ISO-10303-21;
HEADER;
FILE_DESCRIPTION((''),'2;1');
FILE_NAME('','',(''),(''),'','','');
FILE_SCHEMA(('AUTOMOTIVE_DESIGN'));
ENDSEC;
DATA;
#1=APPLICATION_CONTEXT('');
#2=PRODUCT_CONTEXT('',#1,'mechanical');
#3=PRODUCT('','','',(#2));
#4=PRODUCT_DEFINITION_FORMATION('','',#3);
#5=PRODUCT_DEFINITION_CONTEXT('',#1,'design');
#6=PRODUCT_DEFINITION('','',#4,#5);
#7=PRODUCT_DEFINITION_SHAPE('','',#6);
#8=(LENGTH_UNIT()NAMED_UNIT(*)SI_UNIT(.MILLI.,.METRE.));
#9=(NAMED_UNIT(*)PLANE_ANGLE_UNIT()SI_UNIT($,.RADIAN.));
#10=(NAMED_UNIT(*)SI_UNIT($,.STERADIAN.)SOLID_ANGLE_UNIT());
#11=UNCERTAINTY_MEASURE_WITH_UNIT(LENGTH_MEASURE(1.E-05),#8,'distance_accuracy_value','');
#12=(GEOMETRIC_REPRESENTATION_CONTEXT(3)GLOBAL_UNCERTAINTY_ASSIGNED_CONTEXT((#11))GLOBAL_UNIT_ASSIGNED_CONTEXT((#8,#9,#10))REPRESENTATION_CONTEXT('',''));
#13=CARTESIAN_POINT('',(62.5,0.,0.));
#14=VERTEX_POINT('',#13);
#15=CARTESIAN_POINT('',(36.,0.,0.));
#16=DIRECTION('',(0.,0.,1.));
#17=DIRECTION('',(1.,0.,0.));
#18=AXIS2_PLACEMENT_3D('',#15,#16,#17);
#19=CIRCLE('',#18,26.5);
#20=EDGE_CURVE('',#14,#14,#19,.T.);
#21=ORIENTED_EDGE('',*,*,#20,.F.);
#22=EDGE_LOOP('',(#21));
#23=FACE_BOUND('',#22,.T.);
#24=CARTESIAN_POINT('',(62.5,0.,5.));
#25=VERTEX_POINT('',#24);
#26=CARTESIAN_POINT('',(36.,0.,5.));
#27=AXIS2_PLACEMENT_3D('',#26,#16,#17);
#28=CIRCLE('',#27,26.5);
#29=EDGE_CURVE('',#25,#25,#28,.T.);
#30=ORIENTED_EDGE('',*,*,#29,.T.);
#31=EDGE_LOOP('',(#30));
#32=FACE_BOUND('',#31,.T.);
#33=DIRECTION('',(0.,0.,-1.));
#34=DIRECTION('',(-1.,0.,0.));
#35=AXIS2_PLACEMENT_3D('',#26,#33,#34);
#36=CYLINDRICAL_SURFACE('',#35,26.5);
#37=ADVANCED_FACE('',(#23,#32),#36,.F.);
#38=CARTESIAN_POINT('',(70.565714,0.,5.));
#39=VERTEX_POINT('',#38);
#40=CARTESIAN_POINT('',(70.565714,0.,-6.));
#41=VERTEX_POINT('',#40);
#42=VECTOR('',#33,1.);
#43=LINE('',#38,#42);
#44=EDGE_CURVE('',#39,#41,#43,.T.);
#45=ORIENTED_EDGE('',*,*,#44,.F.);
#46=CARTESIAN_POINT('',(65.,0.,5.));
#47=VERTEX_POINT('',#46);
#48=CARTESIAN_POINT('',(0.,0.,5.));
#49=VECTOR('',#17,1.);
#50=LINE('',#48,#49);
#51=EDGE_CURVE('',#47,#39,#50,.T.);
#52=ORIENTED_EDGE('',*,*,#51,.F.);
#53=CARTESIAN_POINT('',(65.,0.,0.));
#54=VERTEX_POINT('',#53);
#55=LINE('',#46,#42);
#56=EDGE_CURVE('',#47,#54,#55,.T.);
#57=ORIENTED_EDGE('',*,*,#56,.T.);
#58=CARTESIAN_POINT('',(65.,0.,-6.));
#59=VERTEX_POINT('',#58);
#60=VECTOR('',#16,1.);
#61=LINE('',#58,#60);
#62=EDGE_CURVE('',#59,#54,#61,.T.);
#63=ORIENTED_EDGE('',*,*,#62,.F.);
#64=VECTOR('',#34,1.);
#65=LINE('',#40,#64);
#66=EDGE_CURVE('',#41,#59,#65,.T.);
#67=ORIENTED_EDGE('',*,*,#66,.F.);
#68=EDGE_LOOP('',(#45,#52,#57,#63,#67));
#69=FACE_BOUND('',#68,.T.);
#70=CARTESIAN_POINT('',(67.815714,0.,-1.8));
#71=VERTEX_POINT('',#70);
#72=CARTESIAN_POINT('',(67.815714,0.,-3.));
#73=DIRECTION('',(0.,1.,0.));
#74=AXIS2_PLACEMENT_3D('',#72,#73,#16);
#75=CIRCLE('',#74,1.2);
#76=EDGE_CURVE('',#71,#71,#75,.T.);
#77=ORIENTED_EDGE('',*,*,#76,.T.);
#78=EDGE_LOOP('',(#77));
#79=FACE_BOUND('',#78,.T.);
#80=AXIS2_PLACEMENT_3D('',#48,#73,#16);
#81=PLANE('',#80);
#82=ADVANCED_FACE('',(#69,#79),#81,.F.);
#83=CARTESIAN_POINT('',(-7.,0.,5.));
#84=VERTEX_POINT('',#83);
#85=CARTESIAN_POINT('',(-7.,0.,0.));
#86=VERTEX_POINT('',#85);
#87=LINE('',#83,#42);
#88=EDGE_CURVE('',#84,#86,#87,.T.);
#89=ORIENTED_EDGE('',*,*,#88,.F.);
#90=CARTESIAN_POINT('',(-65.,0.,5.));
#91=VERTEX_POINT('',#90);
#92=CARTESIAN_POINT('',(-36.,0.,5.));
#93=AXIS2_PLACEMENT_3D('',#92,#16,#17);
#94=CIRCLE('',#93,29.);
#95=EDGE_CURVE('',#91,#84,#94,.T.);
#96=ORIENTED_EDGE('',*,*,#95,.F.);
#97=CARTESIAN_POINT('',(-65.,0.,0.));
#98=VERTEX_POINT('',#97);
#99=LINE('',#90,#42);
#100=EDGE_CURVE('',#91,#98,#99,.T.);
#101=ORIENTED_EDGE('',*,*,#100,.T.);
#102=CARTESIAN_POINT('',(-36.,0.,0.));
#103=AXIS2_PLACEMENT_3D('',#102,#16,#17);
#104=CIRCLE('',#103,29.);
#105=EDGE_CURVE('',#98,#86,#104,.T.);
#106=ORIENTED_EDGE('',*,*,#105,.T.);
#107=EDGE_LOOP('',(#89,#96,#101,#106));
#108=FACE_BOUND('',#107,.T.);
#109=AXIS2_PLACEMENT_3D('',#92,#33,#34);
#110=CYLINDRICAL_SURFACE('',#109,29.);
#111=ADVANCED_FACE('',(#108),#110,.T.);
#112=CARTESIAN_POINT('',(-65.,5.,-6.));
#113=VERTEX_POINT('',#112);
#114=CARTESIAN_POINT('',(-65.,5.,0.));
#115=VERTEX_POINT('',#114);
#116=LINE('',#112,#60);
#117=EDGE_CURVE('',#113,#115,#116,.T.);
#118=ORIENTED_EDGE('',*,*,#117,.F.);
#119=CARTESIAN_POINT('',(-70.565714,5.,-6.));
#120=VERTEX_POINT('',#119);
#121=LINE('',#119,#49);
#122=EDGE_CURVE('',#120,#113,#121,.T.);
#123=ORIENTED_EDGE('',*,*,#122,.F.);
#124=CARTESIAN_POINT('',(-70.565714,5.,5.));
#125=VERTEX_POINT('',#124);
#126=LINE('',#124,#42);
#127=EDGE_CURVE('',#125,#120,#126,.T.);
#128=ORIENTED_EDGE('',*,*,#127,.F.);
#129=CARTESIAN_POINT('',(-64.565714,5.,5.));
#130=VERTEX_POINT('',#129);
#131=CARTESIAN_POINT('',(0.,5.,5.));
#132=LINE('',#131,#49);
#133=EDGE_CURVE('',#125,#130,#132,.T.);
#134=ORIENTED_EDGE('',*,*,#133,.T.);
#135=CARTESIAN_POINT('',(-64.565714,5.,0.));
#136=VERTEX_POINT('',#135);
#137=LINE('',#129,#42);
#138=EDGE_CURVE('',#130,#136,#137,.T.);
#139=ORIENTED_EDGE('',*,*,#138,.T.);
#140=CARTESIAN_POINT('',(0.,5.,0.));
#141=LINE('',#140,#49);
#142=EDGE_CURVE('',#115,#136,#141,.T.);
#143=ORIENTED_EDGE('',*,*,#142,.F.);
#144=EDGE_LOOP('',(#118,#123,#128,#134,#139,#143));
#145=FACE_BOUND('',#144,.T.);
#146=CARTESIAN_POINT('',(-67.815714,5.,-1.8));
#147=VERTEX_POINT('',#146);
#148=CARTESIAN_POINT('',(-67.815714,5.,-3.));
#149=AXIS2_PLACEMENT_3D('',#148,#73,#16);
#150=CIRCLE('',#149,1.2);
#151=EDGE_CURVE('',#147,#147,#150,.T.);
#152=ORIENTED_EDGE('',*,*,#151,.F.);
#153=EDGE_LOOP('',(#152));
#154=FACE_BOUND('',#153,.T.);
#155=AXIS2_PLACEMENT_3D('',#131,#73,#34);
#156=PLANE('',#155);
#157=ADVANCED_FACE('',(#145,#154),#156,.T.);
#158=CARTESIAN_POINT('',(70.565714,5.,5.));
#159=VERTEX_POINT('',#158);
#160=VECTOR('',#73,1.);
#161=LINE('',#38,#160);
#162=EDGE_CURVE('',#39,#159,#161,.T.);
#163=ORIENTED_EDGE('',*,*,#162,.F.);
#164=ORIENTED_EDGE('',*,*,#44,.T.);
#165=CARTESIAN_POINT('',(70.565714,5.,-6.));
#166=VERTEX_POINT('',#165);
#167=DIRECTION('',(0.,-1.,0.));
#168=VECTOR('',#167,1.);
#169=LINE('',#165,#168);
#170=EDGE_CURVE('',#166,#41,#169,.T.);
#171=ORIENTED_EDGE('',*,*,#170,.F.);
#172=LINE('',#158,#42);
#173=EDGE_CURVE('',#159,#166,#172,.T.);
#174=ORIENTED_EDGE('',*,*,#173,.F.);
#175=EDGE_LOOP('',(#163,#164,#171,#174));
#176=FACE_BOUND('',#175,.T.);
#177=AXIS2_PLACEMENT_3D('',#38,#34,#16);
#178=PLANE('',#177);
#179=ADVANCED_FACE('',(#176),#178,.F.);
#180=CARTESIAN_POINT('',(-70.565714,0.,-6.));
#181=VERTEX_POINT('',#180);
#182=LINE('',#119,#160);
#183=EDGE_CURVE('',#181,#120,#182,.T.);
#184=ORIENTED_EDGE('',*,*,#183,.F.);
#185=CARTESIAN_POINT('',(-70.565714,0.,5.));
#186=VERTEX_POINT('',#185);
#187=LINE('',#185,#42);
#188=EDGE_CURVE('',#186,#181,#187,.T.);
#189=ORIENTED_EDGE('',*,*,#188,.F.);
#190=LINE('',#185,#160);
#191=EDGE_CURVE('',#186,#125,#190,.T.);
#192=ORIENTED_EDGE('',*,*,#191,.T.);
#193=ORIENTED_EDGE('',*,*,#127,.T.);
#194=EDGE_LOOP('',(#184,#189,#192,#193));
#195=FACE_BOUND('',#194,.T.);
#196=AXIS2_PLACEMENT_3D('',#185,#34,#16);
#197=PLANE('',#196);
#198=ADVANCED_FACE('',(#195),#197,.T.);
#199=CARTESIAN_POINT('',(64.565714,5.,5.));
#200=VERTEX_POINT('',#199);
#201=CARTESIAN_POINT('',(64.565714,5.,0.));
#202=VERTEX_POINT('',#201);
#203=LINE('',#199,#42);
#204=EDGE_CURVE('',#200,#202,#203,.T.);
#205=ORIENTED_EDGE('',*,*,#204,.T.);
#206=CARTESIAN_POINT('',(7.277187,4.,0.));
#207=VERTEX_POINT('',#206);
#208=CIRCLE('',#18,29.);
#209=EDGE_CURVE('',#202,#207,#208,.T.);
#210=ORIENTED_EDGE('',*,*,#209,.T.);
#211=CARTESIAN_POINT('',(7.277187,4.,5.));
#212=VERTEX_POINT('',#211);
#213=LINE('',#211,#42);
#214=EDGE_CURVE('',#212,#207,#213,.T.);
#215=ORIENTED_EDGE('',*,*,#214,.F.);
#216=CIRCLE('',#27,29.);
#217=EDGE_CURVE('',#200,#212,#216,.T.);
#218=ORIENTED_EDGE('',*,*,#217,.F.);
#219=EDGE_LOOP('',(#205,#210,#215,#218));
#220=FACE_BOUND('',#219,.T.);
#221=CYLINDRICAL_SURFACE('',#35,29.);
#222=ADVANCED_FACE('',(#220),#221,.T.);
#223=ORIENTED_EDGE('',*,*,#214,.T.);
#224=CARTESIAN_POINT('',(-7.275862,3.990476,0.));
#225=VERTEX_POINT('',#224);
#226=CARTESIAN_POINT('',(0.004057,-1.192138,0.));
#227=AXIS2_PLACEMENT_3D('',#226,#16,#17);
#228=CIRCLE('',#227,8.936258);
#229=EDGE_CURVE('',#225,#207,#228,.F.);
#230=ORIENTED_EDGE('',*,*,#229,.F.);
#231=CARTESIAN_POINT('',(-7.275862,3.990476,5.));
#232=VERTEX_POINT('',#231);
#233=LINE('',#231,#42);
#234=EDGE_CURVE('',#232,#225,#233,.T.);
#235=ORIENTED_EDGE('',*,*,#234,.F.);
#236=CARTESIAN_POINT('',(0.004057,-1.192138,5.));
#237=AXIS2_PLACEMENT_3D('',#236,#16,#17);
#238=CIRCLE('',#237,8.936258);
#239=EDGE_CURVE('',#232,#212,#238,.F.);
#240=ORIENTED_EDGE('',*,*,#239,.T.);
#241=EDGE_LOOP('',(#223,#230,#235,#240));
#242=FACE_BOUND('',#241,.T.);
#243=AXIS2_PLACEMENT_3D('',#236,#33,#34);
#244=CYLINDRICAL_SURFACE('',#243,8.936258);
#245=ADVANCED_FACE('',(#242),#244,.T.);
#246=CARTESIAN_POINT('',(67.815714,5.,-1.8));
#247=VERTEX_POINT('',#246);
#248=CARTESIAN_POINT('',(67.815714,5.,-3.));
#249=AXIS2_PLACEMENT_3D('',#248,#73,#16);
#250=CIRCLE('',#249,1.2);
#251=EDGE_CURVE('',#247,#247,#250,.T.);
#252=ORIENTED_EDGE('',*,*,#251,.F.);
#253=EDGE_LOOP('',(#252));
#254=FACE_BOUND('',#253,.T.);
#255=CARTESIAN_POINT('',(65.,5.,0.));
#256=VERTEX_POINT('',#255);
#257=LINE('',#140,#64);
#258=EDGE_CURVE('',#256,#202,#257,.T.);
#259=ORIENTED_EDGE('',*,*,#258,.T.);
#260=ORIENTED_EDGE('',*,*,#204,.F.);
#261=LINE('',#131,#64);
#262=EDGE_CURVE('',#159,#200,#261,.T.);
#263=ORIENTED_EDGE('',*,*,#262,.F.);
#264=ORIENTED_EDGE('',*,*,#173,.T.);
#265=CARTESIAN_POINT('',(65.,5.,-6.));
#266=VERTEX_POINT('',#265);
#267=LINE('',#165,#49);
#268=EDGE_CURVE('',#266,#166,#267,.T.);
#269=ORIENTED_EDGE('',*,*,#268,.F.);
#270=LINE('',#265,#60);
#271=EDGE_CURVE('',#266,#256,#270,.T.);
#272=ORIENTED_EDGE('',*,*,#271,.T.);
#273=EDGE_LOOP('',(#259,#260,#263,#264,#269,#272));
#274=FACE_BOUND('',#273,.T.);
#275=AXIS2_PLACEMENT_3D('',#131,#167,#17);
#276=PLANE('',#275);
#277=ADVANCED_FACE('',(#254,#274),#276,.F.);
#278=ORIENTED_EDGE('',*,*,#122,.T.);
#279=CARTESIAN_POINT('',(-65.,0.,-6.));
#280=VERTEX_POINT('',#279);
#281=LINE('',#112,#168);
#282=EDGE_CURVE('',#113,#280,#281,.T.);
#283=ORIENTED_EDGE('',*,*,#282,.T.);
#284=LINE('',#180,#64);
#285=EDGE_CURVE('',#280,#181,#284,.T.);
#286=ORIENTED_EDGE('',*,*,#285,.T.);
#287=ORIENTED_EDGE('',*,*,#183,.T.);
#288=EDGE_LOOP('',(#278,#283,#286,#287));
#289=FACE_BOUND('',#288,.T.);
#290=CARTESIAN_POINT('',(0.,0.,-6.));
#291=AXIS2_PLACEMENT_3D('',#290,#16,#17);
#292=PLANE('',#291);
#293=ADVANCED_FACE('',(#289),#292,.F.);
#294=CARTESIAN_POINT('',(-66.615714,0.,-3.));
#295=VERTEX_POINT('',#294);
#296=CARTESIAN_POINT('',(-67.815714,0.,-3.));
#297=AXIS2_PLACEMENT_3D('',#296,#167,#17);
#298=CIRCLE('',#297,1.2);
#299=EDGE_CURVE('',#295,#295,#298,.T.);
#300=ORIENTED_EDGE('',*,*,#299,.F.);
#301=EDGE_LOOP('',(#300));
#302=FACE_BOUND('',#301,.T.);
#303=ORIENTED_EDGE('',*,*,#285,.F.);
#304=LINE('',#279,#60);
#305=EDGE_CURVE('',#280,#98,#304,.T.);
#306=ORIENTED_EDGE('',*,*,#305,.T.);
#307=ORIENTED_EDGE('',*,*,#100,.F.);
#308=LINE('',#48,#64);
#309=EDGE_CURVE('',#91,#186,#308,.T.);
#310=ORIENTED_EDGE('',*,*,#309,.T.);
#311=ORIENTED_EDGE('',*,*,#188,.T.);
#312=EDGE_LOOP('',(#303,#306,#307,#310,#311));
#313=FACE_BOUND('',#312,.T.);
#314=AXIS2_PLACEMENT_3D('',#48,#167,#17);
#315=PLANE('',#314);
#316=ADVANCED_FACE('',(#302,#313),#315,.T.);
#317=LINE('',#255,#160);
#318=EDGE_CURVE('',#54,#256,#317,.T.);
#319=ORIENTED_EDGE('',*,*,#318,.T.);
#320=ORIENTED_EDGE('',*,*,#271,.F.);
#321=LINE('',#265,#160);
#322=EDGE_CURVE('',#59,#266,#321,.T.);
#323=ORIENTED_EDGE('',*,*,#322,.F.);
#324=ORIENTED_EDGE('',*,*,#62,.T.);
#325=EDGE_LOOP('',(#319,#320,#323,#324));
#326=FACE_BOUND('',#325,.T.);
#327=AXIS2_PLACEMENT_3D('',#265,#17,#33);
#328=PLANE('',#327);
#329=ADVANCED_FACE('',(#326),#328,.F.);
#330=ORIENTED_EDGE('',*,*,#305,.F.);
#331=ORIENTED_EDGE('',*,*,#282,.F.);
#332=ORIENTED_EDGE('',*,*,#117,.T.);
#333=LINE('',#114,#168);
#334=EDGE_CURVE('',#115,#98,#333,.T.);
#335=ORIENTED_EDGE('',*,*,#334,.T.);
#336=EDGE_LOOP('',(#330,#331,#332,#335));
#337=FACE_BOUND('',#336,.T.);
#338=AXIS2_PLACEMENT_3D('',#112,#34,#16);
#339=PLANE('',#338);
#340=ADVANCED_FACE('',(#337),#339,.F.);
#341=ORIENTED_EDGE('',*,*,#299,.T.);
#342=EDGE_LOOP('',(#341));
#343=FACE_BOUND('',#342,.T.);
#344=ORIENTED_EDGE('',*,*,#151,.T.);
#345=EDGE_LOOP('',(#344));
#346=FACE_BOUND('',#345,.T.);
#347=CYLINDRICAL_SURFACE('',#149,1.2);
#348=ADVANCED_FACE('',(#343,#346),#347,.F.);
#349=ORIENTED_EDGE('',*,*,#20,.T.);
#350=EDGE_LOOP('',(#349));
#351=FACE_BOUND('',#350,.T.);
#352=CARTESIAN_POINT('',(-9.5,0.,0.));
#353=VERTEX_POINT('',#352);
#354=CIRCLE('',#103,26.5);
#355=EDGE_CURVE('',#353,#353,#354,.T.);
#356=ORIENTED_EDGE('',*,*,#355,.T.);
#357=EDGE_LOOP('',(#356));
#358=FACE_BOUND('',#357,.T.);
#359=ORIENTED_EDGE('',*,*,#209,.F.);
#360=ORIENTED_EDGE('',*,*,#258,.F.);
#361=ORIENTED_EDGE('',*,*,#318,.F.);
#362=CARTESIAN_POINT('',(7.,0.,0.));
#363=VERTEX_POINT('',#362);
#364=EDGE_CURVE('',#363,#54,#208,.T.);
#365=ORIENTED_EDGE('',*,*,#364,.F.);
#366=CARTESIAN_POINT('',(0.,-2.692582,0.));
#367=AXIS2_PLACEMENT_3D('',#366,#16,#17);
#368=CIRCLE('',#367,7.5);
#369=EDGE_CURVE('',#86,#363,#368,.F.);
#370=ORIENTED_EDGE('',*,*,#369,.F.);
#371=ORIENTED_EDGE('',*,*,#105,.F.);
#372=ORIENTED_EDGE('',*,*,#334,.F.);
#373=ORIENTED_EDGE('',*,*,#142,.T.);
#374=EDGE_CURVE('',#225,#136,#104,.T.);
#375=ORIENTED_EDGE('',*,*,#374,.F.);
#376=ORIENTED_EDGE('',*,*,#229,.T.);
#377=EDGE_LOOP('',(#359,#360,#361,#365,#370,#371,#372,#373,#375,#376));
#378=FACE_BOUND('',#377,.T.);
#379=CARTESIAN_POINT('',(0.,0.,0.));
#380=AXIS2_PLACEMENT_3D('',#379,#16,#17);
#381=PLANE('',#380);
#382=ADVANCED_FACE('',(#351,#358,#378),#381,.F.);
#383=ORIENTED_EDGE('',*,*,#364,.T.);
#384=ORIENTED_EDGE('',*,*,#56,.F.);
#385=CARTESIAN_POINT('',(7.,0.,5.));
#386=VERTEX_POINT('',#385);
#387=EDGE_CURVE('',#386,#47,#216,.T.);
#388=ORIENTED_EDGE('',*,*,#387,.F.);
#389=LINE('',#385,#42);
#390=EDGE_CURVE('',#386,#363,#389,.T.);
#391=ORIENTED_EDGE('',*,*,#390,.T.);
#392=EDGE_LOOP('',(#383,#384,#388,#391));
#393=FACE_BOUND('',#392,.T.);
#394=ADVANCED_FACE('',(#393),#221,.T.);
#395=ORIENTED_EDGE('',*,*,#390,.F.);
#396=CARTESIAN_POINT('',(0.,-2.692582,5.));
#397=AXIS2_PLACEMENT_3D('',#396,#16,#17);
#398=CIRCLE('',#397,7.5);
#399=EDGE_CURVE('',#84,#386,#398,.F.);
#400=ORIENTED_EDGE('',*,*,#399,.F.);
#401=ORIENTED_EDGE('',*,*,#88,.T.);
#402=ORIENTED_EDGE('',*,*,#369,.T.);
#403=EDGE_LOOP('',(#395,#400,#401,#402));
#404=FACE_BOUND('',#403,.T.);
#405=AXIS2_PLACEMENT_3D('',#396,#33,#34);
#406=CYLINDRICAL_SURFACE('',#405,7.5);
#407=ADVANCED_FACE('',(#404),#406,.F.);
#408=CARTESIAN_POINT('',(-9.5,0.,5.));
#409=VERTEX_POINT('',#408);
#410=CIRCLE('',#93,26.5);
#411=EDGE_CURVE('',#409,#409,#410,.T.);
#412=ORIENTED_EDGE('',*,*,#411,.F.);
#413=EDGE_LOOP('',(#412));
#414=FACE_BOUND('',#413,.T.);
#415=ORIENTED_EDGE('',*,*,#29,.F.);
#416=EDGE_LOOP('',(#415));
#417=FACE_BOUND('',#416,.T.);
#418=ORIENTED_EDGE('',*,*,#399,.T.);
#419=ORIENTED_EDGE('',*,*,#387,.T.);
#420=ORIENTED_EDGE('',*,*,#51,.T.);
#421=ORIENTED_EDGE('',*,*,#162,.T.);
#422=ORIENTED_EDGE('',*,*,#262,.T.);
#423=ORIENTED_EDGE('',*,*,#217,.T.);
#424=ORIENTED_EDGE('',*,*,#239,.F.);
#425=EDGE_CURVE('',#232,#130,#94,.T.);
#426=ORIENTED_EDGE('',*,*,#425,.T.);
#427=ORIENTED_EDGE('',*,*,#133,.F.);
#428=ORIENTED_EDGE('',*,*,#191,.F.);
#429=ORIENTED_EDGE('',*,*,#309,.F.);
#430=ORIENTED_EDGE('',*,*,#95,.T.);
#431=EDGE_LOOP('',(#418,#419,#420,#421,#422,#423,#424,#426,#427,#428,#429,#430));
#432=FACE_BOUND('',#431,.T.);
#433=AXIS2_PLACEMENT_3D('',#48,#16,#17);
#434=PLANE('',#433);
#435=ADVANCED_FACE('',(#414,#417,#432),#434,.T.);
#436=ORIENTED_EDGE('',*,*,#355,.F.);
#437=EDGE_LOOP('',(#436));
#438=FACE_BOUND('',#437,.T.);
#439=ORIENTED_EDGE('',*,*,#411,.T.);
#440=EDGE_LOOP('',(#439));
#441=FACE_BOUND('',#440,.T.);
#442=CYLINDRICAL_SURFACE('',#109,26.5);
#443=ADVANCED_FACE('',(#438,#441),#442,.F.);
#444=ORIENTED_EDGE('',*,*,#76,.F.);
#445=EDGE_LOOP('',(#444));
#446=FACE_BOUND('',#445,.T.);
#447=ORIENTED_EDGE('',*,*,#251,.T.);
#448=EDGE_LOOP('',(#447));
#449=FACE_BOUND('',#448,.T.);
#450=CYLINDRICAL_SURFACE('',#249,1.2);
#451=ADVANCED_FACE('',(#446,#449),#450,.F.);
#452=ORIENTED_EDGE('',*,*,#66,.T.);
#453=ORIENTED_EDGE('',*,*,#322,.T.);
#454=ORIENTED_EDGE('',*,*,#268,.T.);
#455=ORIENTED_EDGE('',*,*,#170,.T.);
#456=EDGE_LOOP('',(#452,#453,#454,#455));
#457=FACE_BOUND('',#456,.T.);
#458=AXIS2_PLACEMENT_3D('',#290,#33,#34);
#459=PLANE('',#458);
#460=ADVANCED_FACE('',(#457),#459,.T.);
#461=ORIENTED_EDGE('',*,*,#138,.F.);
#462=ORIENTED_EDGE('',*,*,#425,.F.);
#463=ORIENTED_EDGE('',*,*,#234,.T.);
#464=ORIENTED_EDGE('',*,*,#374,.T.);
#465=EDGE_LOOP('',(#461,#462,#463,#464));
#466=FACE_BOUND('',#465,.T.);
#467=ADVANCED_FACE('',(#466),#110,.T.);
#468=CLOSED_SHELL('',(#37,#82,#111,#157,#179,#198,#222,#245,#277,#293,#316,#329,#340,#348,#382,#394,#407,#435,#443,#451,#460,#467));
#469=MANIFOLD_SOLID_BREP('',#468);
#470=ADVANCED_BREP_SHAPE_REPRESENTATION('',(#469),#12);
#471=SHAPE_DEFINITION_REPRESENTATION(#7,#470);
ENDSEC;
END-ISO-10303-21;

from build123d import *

# Parameters (mm, degrees)
SKIZZE1_R                       = 26.5
AUFSATZ_LINEAR_AUSTRAGEN1_DEPTH = 5
SKIZZE2_W                       = 5.565713714
SKIZZE2_H                       = 5
AUFSATZ_LINEAR_AUSTRAGEN2_DEPTH = 6
DURCHGANGSLOCH_F_R_M21_D        = 2.4


with BuildPart() as part:
    # Skizze1 → Aufsatz-Linear austragen1 (new body)
    with BuildSketch(Plane.XY):
        with BuildLine():
            Line((70.565713714, 5), (64.565713714, 5))
            ThreePointArc((64.565713714, 5), (35.493867542, 28.995582938), (7.277186767, 4))
            ThreePointArc((7.277186767, 4), (-0.001790997, 7.744118326), (-7.275862069, 3.990476177))
            ThreePointArc((-7.275862069, 3.990476177), (-35.489060527, 28.995498631), (-64.565713714, 5))
            Line((-64.565713714, 5), (-70.565713714, 5))
            Line((-70.565713714, 5), (-70.565713714, 0))
            Line((-70.565713714, 0), (-65, 0))
            ThreePointArc((-65, 0), (-36, -29), (-7, 0))
            ThreePointArc((-7, 0), (0, 4.807417596), (7, 0))
            ThreePointArc((7, 0), (36, -29), (65, 0))
            Line((65, 0), (70.565713714, 0))
            Line((70.565713714, 0), (70.565713714, 5))
        make_face()
        with Locations((36, 0)):
            Circle(SKIZZE1_R, mode=Mode.SUBTRACT)
        with Locations((-36, 0)):
            Circle(SKIZZE1_R, mode=Mode.SUBTRACT)
    extrude(amount=AUFSATZ_LINEAR_AUSTRAGEN1_DEPTH)

    # Skizze2 → Aufsatz-Linear austragen2 (add)
    with BuildSketch(Plane(origin=(0, 0, 0), x_dir=(-1, 0, 0), z_dir=(0, 0, -1))):
        with Locations((-67.782856857, 2.5)):
            Rectangle(SKIZZE2_W, SKIZZE2_H)
        with Locations((67.782856857, 2.5)):
            Rectangle(SKIZZE2_W, SKIZZE2_H)
    extrude(amount=AUFSATZ_LINEAR_AUSTRAGEN2_DEPTH)

    # Durchgangsloch für M21 (through all)
    with Locations(Plane(origin=(0, 5, 0), x_dir=(1, 0, 0), z_dir=(0, 1, 0))):
        with Locations((-67.815713714, 3), (67.815713714, 3)):
            Hole(DURCHGANGSLOCH_F_R_M21_D / 2)


solid = part.part
